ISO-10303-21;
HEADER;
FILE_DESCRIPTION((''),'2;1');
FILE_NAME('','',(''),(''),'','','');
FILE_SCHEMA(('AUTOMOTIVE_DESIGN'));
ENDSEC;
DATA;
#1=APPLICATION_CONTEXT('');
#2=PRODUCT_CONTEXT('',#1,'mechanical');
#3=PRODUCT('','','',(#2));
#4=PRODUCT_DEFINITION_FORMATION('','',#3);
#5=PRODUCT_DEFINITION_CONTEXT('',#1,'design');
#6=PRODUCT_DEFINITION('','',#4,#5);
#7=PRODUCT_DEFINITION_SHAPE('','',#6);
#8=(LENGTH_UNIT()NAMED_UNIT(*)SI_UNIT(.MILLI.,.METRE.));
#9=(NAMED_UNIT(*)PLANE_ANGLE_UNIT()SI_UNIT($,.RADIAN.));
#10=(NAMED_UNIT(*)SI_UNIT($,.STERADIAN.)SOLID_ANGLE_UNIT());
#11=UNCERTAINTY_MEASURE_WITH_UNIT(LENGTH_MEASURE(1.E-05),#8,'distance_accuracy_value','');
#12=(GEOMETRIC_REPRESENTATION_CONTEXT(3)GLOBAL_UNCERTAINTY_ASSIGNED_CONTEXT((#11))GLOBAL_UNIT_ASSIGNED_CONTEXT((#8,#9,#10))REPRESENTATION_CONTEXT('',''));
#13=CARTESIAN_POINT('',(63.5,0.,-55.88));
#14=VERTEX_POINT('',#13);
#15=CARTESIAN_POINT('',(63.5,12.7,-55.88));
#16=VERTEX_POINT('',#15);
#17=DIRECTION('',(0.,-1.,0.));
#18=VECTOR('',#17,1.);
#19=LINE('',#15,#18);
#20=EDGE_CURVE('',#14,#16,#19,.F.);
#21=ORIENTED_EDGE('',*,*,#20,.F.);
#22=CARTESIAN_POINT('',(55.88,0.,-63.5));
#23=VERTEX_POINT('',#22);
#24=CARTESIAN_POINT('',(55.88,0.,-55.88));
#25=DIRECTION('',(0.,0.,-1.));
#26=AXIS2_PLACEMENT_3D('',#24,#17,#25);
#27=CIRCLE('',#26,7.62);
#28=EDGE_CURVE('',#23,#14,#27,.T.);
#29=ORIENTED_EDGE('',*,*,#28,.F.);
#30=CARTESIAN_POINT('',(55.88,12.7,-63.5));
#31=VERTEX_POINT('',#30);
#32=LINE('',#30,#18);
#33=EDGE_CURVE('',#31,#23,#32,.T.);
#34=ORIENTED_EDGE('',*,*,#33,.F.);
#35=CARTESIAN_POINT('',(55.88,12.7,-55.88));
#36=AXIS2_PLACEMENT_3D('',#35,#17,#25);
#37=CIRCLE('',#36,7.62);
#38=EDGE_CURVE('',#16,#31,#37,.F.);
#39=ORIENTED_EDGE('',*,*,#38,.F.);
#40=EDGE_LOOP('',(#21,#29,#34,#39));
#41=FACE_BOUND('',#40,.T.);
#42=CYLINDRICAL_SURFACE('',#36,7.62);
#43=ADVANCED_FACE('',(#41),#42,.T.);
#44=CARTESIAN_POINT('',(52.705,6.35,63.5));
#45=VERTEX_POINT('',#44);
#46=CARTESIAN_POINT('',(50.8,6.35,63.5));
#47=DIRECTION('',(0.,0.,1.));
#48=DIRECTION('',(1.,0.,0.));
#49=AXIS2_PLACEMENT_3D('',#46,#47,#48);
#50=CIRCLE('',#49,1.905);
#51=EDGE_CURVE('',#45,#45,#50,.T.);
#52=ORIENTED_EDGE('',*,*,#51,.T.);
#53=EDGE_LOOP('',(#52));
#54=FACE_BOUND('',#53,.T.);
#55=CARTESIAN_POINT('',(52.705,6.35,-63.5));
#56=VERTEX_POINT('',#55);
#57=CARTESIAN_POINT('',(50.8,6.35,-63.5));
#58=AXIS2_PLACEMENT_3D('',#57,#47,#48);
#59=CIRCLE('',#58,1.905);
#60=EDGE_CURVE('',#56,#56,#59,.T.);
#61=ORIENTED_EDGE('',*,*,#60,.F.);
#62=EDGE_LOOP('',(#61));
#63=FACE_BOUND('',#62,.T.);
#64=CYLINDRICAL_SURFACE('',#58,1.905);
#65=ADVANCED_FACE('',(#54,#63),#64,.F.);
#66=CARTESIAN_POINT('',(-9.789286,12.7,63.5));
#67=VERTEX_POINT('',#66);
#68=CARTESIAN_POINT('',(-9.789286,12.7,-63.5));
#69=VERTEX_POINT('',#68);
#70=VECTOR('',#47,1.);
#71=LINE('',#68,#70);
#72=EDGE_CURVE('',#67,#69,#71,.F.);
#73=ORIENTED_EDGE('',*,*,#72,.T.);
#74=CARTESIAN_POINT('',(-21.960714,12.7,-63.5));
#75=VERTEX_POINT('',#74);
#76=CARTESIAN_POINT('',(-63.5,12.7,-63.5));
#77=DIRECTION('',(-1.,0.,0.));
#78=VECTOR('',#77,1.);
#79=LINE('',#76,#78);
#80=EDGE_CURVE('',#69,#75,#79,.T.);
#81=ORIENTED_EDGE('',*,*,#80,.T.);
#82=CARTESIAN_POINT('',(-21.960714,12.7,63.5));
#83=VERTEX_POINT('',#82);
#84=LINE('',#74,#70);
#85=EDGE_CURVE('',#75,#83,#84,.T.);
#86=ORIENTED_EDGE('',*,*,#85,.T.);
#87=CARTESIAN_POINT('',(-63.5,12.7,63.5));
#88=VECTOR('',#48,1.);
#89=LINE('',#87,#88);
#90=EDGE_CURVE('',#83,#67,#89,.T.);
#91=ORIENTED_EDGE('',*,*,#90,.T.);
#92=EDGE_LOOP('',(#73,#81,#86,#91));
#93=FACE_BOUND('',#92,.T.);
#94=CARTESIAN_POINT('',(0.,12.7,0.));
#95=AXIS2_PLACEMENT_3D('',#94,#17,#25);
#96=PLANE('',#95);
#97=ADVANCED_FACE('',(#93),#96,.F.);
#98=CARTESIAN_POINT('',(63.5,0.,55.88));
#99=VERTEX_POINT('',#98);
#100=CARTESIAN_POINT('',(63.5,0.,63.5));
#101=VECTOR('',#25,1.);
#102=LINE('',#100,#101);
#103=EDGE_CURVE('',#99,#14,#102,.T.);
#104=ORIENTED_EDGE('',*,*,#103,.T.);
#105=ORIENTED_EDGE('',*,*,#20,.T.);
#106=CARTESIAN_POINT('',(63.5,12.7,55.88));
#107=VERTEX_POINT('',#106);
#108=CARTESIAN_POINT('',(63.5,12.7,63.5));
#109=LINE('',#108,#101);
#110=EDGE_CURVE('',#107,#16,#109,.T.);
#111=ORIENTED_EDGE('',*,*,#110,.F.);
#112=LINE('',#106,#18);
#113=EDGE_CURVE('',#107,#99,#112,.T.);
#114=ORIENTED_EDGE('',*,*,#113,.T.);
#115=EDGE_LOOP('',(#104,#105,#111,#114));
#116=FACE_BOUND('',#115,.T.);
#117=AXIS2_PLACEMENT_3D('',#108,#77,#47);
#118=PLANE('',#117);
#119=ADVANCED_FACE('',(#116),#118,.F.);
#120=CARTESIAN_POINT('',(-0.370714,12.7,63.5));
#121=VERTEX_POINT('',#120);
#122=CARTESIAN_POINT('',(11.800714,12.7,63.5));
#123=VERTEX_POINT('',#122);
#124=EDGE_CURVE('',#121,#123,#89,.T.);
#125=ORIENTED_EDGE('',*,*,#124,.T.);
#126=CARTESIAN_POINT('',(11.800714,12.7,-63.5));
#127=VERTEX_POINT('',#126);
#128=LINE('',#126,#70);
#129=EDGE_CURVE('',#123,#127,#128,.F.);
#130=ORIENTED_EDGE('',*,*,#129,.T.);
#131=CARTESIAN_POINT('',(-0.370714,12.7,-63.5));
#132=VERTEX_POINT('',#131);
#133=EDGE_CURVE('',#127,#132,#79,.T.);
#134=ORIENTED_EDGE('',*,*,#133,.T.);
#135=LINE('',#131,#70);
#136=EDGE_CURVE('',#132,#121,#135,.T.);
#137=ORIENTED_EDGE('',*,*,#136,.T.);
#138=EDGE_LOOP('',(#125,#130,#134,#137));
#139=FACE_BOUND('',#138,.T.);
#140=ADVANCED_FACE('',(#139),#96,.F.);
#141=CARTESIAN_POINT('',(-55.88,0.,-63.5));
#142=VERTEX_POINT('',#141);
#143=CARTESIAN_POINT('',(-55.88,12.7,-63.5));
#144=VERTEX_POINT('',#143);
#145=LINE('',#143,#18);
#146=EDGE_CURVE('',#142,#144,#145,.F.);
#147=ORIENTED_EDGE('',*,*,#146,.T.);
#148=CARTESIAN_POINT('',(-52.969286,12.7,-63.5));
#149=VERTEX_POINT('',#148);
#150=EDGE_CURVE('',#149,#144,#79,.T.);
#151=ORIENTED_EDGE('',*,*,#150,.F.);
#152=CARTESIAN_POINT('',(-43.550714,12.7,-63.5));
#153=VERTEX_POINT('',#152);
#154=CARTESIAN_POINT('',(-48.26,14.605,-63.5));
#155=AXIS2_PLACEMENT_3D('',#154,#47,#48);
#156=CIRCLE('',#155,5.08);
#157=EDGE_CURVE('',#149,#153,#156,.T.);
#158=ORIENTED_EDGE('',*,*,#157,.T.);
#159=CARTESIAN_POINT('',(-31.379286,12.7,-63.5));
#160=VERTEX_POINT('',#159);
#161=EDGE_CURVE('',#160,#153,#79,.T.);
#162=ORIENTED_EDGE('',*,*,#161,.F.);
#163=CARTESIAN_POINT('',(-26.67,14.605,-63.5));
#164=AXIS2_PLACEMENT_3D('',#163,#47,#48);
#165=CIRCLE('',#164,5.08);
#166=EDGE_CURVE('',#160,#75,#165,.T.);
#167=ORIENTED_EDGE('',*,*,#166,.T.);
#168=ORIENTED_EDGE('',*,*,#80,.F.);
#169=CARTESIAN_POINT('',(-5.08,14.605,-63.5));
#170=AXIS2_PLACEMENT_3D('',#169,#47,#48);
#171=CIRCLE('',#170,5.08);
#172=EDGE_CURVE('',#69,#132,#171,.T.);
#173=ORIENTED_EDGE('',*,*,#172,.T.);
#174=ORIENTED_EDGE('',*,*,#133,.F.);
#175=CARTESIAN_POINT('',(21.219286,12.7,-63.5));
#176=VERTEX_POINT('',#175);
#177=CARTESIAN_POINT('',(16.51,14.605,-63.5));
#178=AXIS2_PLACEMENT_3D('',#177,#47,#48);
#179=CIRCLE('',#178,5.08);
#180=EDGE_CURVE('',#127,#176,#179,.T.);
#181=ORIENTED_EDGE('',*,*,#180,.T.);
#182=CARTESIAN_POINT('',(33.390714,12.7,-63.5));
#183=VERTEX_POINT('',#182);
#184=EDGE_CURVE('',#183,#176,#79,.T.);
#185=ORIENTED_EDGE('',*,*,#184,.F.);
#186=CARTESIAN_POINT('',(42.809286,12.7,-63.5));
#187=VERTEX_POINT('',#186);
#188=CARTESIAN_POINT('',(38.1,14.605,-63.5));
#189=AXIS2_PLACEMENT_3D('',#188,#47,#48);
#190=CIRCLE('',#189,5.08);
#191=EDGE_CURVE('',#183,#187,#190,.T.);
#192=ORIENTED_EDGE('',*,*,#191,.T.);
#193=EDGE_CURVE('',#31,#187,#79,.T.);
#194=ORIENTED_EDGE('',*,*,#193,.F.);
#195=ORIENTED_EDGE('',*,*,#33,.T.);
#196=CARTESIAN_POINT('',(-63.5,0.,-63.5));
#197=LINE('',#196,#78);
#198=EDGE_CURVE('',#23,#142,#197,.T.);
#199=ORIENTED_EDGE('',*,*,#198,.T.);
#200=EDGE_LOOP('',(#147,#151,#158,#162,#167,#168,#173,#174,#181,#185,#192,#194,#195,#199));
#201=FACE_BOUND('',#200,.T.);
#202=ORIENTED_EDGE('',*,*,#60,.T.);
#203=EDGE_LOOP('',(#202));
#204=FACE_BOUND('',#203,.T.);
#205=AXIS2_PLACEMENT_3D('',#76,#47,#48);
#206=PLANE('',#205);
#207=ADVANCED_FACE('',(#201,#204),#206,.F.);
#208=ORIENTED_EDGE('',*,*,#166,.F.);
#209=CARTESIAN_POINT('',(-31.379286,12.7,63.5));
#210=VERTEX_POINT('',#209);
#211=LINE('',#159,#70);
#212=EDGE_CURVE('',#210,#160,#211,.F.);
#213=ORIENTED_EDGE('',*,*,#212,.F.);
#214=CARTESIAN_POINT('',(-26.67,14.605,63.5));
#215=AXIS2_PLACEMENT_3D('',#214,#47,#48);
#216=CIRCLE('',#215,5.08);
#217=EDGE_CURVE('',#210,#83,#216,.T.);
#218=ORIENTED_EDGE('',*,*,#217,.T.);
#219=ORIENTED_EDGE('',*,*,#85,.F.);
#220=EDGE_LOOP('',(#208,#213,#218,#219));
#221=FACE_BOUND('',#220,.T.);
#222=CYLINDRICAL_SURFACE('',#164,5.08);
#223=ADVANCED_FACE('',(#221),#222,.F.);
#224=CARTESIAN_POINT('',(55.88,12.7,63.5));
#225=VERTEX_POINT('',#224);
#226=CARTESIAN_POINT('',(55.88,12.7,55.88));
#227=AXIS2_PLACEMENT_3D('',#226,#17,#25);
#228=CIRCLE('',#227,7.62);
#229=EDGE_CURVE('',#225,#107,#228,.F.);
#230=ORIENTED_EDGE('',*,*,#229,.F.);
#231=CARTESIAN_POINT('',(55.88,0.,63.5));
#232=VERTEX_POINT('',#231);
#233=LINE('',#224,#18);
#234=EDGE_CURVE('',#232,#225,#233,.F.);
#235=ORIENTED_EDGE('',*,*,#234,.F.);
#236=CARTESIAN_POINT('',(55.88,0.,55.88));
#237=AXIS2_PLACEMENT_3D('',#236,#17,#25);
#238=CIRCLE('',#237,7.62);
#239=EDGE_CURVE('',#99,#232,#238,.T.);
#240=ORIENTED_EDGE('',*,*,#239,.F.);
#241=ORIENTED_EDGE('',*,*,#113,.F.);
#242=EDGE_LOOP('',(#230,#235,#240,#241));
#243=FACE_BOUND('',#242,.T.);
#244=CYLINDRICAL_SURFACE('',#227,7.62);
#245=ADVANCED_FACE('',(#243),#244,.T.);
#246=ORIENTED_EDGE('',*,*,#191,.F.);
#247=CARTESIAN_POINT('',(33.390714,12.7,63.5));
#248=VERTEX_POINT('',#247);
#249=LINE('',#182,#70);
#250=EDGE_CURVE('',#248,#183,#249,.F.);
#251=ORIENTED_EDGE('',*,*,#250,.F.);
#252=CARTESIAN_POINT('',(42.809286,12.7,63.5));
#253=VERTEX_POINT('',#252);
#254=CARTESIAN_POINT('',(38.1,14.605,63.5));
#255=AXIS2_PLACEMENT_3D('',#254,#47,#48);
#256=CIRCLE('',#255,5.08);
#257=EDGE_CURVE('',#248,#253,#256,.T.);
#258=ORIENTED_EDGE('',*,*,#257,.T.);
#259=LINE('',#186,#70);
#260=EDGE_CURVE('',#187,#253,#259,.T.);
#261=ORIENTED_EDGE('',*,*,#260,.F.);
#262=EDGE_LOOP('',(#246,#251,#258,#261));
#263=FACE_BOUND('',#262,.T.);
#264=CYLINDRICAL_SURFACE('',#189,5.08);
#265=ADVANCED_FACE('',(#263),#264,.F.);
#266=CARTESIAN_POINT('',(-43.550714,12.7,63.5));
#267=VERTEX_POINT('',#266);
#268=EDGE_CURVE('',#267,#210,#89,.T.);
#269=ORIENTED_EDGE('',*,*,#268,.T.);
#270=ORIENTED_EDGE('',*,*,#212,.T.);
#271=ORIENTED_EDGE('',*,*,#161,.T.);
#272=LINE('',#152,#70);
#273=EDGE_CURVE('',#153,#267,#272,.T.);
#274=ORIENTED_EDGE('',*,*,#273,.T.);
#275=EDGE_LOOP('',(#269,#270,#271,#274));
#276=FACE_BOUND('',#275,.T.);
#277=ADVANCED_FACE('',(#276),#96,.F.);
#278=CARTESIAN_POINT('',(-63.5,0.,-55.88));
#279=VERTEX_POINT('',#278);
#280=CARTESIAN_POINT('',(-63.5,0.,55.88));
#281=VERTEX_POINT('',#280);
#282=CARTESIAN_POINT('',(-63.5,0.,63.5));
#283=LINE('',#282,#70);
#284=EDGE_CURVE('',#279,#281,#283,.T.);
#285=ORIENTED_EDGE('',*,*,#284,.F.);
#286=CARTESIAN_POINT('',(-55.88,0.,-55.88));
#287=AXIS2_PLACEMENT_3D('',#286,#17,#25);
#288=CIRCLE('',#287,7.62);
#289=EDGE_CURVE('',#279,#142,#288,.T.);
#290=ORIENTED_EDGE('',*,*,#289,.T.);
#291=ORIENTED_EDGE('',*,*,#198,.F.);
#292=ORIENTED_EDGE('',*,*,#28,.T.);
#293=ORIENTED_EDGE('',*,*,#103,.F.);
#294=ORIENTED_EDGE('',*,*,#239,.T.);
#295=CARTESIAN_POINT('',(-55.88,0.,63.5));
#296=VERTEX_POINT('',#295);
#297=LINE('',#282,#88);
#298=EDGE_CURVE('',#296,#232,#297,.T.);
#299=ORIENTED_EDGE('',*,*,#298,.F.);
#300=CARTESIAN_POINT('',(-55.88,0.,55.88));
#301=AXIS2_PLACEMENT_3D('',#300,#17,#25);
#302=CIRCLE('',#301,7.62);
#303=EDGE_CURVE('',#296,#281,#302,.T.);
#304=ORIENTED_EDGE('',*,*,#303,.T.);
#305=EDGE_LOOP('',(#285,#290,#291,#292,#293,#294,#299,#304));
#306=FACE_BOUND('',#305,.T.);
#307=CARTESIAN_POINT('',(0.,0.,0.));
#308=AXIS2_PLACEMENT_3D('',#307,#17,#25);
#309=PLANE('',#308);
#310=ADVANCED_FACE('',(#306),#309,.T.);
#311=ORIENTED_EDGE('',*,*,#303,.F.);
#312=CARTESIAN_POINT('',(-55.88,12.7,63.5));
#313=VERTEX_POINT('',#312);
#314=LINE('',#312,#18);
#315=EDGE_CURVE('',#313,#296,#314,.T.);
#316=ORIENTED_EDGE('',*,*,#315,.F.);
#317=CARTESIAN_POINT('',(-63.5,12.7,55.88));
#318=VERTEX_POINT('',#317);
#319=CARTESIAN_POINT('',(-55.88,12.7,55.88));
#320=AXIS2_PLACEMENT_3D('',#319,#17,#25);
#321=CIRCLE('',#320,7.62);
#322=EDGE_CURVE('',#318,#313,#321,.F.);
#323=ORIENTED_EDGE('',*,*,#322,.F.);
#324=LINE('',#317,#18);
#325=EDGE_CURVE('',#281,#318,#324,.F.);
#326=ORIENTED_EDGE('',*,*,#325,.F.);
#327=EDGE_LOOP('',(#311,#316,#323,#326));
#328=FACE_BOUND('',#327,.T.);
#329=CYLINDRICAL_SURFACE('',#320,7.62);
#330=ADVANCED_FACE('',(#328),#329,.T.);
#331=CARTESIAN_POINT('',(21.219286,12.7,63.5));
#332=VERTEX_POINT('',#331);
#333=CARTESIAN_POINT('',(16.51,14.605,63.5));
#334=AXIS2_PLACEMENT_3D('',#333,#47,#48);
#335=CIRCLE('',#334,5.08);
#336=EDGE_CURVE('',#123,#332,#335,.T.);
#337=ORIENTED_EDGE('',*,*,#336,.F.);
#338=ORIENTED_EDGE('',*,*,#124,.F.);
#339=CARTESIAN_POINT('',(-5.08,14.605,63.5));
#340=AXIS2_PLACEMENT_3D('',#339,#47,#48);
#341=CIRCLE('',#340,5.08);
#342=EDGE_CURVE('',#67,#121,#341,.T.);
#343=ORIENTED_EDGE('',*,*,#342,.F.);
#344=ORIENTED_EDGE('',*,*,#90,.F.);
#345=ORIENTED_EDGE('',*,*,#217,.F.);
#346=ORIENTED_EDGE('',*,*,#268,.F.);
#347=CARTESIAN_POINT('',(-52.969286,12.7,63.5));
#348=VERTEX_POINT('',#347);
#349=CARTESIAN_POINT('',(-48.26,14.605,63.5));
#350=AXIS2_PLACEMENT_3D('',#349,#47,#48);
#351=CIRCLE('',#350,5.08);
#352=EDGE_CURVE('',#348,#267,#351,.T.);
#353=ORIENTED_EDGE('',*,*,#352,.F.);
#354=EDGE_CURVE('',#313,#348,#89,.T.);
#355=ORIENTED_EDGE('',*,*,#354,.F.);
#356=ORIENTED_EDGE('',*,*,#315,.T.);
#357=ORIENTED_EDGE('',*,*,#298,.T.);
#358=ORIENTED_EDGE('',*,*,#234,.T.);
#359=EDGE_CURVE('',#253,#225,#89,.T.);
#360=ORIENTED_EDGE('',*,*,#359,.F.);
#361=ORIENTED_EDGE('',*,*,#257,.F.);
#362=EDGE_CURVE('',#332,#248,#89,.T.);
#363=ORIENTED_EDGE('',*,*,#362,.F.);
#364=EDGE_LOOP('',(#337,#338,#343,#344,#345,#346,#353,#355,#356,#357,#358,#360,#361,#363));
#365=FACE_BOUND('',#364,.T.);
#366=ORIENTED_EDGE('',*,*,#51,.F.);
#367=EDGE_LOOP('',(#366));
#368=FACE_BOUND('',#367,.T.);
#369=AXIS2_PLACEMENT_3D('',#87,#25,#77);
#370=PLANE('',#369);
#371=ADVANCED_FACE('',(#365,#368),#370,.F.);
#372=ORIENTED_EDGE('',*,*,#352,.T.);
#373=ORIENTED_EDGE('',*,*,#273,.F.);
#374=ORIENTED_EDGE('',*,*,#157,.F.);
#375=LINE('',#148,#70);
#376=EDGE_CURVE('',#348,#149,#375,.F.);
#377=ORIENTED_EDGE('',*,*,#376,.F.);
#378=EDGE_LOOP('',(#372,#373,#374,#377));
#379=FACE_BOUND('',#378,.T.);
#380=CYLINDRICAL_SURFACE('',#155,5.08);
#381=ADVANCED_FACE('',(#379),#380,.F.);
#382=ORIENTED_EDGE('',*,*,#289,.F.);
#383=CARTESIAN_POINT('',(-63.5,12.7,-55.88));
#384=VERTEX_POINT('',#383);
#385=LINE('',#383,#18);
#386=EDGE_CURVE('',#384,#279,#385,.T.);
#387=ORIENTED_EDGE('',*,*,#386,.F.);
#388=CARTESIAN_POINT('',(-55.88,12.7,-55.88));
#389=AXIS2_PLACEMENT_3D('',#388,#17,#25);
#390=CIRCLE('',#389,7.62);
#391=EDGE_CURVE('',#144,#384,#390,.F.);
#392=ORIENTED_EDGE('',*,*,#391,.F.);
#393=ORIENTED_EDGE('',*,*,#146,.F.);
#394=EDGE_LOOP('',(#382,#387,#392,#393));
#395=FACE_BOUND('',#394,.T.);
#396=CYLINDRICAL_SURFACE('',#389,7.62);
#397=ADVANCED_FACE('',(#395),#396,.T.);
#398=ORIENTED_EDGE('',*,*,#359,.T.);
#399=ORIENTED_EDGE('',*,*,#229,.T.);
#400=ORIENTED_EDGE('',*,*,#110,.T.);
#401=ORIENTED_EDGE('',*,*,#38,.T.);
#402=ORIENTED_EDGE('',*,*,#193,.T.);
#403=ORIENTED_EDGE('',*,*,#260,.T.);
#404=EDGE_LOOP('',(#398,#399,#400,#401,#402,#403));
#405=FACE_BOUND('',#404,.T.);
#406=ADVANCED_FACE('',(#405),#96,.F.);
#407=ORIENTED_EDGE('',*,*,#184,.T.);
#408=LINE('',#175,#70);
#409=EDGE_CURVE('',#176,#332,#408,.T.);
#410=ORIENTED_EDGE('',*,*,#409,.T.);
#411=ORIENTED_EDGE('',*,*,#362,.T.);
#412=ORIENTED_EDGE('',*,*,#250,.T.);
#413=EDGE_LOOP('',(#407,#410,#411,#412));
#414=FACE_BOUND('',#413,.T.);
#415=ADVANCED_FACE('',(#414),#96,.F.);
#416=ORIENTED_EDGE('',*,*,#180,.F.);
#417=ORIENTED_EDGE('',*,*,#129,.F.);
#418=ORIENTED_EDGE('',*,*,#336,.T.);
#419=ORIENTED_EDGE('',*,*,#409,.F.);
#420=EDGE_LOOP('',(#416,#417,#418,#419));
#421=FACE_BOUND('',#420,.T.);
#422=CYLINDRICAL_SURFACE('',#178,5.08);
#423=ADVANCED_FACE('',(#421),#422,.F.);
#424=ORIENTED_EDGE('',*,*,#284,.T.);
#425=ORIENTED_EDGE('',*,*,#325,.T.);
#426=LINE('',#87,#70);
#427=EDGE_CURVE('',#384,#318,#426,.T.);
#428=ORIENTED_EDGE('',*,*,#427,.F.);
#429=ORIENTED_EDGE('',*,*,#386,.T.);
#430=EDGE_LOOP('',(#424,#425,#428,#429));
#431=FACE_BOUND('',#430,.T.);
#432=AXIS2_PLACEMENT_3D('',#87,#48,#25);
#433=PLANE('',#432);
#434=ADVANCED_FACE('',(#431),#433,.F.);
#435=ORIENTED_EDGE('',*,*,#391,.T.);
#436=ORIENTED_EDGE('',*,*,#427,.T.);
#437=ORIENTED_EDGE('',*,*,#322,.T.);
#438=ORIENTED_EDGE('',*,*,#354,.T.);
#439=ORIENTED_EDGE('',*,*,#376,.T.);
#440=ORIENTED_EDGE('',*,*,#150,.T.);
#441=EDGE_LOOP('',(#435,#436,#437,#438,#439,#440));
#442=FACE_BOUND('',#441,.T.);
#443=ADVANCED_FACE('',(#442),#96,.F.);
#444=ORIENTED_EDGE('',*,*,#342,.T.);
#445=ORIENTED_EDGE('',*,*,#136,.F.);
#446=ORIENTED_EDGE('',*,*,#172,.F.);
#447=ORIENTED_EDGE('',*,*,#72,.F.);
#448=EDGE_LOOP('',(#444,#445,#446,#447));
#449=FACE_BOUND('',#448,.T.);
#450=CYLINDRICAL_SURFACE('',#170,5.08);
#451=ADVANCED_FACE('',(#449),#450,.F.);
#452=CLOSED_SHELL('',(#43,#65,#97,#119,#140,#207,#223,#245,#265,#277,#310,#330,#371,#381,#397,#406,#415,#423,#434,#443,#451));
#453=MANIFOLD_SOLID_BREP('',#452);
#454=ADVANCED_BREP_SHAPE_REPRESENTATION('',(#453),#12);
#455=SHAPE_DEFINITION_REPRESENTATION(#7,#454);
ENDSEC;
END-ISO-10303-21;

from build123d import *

# Parameters (mm, degrees)
SKETCH2_W           = 127
SKETCH2_H           = 127
BOSS_EXTRUDE1_DEPTH = 12.7
FILLET1_R           = 7.62
SKETCH3_R           = 5.08
CUT_EXTRUDE1_DEPTH  = 143.557146436
LPATTERN1_COUNT     = 5
LPATTERN1_PITCH     = 21.59
SKETCH3_3_R         = 1.905
SKETCH3_3_R_2       = 5.08
CUT_EXTRUDE2_DEPTH  = 143.557146436


with BuildPart() as part:
    # Sketch2 → Boss-Extrude1 (new body)
    with BuildSketch(Plane(origin=(0, 0, 0), x_dir=(1, 0, 0), z_dir=(0, 1, 0))):
        Rectangle(SKETCH2_W, SKETCH2_H)
    extrude(amount=BOSS_EXTRUDE1_DEPTH)

    # Fillet1
    fillet1_edges = [part.edges().sort_by_distance(p)[0] for p in [
        (63.5, 6.35, 63.5),
        (-63.5, 6.35, 63.5),
        (-63.5, 6.35, -63.5),
        (63.5, 6.35, -63.5),
    ]]
    fillet(fillet1_edges, radius=FILLET1_R)

    # Sketch3 → Cut-Extrude1 (cut, through all)
    with BuildSketch(Plane.XY.offset(63.5)):
        with Locations((38.1, 14.605)):
            Circle(SKETCH3_R)
    cut_extrude1 = extrude(amount=-CUT_EXTRUDE1_DEPTH, mode=Mode.SUBTRACT)

    # LPattern1: Cut-Extrude1 ×5
    with Locations(*[(-i * LPATTERN1_PITCH, 0, 0) for i in range(1, LPATTERN1_COUNT)]):
        add(cut_extrude1, mode=Mode.SUBTRACT)

    # Sketch3<3> → Cut-Extrude2 (cut, through all)
    with BuildSketch(Plane.XY.offset(63.5)):
        with Locations((50.8, 6.35)):
            Circle(SKETCH3_3_R)
        with Locations((38.1, 14.605)):
            Circle(SKETCH3_3_R_2)
    extrude(amount=-CUT_EXTRUDE2_DEPTH, mode=Mode.SUBTRACT)


solid = part.part
